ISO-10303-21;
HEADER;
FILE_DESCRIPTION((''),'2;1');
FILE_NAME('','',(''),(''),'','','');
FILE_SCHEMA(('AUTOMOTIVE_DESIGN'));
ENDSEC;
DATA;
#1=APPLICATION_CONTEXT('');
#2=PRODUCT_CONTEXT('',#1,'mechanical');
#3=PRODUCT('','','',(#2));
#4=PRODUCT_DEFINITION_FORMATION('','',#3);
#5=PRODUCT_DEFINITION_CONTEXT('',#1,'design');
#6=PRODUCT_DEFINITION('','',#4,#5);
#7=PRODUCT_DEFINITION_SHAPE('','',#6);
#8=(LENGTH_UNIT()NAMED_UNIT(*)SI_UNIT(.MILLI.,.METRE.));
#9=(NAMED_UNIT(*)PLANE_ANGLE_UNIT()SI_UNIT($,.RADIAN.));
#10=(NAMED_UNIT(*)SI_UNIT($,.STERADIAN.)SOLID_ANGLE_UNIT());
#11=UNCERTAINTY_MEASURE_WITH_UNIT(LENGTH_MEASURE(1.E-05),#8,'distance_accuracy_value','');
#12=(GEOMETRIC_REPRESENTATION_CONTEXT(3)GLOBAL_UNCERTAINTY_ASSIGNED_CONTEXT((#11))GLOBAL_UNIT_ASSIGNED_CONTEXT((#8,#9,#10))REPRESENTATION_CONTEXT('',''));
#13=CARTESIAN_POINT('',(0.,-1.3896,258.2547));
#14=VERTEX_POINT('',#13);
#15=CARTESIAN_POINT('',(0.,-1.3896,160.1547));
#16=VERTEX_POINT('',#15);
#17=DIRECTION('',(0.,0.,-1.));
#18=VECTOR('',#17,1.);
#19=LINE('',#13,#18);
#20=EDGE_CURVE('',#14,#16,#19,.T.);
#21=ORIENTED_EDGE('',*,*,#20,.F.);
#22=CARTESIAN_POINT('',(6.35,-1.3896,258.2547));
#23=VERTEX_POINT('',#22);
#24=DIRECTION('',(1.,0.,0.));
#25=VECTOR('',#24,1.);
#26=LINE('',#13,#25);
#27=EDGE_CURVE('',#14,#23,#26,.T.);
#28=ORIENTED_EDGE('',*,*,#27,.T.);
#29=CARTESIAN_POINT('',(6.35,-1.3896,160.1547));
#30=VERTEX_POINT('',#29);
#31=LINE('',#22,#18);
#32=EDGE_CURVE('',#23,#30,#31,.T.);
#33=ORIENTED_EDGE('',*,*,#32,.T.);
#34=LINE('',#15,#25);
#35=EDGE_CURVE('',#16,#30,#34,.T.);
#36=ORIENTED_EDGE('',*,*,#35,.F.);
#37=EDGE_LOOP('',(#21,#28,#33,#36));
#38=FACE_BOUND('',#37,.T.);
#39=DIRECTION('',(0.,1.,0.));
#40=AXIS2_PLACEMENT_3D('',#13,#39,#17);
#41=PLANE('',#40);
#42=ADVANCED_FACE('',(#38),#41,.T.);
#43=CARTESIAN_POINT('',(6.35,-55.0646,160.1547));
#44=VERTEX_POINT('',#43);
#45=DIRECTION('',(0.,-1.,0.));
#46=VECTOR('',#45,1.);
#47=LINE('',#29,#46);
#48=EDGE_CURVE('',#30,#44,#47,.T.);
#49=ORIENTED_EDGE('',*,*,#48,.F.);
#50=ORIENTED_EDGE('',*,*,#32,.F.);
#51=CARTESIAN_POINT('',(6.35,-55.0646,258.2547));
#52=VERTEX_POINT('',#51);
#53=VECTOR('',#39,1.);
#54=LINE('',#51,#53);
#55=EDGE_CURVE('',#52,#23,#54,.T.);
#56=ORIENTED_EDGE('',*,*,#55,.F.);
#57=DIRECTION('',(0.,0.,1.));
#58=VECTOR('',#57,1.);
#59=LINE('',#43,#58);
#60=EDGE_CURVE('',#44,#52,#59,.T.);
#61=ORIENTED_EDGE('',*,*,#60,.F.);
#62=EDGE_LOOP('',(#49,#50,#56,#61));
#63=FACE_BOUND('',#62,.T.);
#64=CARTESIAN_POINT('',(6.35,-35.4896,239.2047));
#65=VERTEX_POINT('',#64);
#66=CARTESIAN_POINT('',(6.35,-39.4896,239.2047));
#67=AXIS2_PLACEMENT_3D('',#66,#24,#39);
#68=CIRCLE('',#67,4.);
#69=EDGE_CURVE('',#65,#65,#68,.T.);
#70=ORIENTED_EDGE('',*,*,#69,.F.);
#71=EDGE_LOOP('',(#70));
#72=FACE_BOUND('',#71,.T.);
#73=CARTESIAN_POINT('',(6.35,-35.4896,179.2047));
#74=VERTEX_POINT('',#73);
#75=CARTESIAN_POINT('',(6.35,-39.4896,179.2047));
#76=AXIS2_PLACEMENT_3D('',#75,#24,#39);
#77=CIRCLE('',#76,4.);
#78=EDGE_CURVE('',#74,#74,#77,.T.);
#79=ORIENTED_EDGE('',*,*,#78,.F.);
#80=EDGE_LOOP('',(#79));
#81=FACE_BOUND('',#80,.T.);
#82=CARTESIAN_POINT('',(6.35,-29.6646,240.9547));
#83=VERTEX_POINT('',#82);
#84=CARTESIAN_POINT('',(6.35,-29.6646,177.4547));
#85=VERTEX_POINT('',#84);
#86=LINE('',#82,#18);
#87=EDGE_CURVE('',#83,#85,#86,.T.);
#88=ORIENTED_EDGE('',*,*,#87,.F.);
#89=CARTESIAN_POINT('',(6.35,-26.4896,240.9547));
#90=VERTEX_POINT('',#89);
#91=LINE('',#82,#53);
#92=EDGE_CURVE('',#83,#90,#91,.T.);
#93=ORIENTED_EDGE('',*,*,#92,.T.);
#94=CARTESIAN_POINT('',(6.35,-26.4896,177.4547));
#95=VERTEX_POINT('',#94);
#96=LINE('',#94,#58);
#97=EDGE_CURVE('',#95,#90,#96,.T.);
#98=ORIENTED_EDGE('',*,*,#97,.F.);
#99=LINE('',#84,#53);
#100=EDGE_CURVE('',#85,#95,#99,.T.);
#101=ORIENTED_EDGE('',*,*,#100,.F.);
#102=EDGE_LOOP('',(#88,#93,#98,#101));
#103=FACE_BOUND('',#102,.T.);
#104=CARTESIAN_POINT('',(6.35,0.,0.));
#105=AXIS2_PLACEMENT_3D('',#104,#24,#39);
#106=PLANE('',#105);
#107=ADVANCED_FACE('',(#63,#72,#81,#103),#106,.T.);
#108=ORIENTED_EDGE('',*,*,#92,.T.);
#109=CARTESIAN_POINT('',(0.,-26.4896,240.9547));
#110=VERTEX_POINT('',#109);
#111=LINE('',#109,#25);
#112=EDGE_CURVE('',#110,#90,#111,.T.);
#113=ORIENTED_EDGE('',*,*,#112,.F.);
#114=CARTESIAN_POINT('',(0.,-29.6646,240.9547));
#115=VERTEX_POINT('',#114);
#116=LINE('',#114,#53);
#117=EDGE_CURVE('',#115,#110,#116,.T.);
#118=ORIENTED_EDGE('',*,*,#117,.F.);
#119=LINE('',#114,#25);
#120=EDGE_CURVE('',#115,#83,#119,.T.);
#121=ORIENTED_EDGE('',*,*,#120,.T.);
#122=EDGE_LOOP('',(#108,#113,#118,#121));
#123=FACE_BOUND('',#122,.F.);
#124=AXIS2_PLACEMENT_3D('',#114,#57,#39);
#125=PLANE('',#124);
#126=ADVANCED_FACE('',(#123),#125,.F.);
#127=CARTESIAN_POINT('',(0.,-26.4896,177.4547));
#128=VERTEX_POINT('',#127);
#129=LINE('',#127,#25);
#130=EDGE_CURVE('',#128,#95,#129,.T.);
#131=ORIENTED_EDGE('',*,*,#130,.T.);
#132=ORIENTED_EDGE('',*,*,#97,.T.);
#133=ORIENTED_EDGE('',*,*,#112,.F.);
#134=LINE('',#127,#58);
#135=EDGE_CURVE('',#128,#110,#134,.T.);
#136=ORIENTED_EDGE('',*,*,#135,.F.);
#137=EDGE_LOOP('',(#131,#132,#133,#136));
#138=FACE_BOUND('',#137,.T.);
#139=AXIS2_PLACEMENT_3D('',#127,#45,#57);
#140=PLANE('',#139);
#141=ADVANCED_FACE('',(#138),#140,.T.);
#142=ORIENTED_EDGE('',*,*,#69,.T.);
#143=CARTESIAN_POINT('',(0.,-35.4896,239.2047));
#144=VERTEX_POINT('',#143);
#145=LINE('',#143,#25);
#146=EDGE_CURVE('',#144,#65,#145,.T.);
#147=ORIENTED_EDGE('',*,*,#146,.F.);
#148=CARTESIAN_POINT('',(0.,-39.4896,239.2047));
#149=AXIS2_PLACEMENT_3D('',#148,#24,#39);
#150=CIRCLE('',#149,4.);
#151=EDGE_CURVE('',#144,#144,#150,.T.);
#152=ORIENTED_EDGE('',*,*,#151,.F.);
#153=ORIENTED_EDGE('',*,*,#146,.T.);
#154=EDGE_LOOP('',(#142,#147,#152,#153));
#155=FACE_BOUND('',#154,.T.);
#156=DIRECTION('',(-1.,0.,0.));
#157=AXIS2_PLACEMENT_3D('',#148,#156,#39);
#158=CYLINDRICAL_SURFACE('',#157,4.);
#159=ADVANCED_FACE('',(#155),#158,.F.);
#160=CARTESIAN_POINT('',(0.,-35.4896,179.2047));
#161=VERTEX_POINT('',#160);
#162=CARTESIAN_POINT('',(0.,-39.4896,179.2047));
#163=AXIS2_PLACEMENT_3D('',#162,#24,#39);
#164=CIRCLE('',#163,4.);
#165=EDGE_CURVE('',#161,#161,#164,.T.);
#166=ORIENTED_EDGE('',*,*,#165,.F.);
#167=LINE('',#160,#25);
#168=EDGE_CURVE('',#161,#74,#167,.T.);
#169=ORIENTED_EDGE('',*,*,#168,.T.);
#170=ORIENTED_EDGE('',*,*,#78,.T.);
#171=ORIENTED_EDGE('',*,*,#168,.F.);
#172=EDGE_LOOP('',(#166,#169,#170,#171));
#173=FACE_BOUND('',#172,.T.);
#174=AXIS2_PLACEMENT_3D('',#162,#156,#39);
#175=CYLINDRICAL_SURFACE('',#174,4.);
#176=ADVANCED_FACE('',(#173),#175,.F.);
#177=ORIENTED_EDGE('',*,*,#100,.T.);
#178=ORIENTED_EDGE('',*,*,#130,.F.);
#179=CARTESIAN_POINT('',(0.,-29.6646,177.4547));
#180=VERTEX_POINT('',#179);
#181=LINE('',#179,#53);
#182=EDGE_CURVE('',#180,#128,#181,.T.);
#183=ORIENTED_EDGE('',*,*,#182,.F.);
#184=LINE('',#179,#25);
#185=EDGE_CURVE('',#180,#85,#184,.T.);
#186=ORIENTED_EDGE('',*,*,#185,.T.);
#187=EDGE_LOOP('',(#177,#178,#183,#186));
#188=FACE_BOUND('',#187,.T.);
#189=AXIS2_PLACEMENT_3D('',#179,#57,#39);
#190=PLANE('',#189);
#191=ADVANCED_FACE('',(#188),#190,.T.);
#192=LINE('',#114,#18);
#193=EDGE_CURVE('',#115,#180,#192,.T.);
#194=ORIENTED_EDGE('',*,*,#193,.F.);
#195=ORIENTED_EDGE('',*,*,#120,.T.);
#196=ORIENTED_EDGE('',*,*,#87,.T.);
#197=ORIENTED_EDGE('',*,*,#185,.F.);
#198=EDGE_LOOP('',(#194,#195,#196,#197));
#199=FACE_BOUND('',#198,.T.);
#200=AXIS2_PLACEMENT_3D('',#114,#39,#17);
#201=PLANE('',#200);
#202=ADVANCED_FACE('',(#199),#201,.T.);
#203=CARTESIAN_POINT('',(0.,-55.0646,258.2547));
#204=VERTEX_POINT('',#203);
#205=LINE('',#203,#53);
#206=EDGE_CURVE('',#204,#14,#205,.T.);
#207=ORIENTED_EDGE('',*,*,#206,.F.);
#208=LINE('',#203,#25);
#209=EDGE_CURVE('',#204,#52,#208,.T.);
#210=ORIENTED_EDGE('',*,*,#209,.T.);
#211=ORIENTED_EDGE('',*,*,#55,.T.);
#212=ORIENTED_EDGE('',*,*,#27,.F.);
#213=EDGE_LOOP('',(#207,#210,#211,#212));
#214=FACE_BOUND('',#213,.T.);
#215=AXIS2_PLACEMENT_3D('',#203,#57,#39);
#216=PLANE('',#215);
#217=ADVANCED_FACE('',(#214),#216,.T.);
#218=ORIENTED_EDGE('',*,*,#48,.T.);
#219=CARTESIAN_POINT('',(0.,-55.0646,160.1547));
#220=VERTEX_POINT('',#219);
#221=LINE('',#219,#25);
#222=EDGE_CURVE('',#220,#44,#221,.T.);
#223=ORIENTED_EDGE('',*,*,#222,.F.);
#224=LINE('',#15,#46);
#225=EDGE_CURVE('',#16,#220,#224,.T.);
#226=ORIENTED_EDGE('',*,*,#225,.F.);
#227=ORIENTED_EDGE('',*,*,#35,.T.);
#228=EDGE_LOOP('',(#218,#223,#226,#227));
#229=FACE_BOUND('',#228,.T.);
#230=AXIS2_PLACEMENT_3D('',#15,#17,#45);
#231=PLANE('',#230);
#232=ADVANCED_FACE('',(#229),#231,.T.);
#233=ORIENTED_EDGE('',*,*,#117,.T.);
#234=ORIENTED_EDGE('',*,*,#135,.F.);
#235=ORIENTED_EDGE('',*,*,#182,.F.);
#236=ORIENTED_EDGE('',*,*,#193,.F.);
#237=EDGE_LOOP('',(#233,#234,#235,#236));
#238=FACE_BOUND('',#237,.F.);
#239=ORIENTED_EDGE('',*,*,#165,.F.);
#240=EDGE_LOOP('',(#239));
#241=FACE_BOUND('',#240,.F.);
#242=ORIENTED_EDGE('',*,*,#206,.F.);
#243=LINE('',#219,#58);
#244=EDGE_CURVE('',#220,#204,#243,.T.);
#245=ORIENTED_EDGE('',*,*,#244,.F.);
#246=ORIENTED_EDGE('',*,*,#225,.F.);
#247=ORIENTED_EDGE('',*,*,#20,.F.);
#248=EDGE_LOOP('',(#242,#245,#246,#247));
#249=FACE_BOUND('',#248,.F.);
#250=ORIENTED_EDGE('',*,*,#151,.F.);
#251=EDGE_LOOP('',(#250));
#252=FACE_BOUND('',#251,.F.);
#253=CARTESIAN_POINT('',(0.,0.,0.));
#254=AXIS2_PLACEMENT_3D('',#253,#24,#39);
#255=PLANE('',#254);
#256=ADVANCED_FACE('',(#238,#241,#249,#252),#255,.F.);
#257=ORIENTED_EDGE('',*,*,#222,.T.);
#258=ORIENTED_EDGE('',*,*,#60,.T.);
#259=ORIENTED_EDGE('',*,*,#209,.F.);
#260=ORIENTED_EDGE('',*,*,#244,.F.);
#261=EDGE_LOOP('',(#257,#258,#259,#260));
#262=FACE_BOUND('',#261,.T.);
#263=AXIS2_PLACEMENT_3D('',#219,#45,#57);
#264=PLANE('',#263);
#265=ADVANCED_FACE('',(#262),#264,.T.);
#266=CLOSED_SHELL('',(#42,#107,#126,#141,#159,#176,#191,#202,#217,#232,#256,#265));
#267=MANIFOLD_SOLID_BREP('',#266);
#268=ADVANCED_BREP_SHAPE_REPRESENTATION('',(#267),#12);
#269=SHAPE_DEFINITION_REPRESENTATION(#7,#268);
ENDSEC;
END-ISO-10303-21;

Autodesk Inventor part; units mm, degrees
ref_plane "YZ Plane" through (0, 0, 0) normal (1, 0, 0) x (0, 1, 0)
ref_plane "XZ Plane" through (0, 0, 0) normal (0, 1, 0) x (-1, 0, 0)
ref_plane "XY Plane" through (0, 0, 0) normal (0, 0, 1) x (1, 0, 0)
sketch "Sketch1" plane through (0, 0, 0) normal (1, 0, 0) x (0, 1, 0)
  circle A0 centre (-39.4896, 239.2047) radius 4 projected
  circle A1 centre (-39.4896, 179.2047) radius 4 projected
  line L0 (-29.6646, 240.9547) -> (-29.6646, 177.4547) projected
  line L1 (-29.6646, 240.9547) -> (-26.4896, 240.9547) projected
  line L2 (-26.4896, 177.4547) -> (-26.4896, 240.9547) projected
  line L3 (-29.6646, 177.4547) -> (-26.4896, 177.4547) projected
  line L4 (-39.4896, 179.2047) -> (-29.6646, 179.2047) construction
  line L5 (-39.4896, 239.2047) -> (-29.6646, 239.2047) construction
  line L6 (-39.4896, 175.2047) -> (-39.4896, 243.2047) construction
  line L7 (-39.4896, 179.2047) -> (-39.4896, 160.1547) construction
  line L8 (-39.4896, 239.2047) -> (-39.4896, 258.2547) construction
  line L9 (-39.4896, 160.1547) -> (-1.3896, 160.1547) construction
  line L10 (-55.0646, 185.9297) -> (-55.0646, 179.5797) construction
  line L11 (-1.3896, 160.1547) -> (-55.0646, 160.1547)
  line L12 (-55.0646, 160.1547) -> (-55.0646, 258.2547)
  line L13 (-55.0646, 258.2547) -> (-1.3896, 258.2547)
  line L14 (-1.3896, 258.2547) -> (-1.3896, 160.1547)
  point P0 (0, 0)
  dimension "d0" = 63.5
  dimension "d1" = 3.175
  dimension "d2" = 68
  dimension "d3" = 9.825
  dimension "d4" = 19.05
  dimension "d5" = 19.05
  dimension "d6" = 38.1
extrude "Extrusion1" add sketch "Sketch1" along normal blind 6.35
